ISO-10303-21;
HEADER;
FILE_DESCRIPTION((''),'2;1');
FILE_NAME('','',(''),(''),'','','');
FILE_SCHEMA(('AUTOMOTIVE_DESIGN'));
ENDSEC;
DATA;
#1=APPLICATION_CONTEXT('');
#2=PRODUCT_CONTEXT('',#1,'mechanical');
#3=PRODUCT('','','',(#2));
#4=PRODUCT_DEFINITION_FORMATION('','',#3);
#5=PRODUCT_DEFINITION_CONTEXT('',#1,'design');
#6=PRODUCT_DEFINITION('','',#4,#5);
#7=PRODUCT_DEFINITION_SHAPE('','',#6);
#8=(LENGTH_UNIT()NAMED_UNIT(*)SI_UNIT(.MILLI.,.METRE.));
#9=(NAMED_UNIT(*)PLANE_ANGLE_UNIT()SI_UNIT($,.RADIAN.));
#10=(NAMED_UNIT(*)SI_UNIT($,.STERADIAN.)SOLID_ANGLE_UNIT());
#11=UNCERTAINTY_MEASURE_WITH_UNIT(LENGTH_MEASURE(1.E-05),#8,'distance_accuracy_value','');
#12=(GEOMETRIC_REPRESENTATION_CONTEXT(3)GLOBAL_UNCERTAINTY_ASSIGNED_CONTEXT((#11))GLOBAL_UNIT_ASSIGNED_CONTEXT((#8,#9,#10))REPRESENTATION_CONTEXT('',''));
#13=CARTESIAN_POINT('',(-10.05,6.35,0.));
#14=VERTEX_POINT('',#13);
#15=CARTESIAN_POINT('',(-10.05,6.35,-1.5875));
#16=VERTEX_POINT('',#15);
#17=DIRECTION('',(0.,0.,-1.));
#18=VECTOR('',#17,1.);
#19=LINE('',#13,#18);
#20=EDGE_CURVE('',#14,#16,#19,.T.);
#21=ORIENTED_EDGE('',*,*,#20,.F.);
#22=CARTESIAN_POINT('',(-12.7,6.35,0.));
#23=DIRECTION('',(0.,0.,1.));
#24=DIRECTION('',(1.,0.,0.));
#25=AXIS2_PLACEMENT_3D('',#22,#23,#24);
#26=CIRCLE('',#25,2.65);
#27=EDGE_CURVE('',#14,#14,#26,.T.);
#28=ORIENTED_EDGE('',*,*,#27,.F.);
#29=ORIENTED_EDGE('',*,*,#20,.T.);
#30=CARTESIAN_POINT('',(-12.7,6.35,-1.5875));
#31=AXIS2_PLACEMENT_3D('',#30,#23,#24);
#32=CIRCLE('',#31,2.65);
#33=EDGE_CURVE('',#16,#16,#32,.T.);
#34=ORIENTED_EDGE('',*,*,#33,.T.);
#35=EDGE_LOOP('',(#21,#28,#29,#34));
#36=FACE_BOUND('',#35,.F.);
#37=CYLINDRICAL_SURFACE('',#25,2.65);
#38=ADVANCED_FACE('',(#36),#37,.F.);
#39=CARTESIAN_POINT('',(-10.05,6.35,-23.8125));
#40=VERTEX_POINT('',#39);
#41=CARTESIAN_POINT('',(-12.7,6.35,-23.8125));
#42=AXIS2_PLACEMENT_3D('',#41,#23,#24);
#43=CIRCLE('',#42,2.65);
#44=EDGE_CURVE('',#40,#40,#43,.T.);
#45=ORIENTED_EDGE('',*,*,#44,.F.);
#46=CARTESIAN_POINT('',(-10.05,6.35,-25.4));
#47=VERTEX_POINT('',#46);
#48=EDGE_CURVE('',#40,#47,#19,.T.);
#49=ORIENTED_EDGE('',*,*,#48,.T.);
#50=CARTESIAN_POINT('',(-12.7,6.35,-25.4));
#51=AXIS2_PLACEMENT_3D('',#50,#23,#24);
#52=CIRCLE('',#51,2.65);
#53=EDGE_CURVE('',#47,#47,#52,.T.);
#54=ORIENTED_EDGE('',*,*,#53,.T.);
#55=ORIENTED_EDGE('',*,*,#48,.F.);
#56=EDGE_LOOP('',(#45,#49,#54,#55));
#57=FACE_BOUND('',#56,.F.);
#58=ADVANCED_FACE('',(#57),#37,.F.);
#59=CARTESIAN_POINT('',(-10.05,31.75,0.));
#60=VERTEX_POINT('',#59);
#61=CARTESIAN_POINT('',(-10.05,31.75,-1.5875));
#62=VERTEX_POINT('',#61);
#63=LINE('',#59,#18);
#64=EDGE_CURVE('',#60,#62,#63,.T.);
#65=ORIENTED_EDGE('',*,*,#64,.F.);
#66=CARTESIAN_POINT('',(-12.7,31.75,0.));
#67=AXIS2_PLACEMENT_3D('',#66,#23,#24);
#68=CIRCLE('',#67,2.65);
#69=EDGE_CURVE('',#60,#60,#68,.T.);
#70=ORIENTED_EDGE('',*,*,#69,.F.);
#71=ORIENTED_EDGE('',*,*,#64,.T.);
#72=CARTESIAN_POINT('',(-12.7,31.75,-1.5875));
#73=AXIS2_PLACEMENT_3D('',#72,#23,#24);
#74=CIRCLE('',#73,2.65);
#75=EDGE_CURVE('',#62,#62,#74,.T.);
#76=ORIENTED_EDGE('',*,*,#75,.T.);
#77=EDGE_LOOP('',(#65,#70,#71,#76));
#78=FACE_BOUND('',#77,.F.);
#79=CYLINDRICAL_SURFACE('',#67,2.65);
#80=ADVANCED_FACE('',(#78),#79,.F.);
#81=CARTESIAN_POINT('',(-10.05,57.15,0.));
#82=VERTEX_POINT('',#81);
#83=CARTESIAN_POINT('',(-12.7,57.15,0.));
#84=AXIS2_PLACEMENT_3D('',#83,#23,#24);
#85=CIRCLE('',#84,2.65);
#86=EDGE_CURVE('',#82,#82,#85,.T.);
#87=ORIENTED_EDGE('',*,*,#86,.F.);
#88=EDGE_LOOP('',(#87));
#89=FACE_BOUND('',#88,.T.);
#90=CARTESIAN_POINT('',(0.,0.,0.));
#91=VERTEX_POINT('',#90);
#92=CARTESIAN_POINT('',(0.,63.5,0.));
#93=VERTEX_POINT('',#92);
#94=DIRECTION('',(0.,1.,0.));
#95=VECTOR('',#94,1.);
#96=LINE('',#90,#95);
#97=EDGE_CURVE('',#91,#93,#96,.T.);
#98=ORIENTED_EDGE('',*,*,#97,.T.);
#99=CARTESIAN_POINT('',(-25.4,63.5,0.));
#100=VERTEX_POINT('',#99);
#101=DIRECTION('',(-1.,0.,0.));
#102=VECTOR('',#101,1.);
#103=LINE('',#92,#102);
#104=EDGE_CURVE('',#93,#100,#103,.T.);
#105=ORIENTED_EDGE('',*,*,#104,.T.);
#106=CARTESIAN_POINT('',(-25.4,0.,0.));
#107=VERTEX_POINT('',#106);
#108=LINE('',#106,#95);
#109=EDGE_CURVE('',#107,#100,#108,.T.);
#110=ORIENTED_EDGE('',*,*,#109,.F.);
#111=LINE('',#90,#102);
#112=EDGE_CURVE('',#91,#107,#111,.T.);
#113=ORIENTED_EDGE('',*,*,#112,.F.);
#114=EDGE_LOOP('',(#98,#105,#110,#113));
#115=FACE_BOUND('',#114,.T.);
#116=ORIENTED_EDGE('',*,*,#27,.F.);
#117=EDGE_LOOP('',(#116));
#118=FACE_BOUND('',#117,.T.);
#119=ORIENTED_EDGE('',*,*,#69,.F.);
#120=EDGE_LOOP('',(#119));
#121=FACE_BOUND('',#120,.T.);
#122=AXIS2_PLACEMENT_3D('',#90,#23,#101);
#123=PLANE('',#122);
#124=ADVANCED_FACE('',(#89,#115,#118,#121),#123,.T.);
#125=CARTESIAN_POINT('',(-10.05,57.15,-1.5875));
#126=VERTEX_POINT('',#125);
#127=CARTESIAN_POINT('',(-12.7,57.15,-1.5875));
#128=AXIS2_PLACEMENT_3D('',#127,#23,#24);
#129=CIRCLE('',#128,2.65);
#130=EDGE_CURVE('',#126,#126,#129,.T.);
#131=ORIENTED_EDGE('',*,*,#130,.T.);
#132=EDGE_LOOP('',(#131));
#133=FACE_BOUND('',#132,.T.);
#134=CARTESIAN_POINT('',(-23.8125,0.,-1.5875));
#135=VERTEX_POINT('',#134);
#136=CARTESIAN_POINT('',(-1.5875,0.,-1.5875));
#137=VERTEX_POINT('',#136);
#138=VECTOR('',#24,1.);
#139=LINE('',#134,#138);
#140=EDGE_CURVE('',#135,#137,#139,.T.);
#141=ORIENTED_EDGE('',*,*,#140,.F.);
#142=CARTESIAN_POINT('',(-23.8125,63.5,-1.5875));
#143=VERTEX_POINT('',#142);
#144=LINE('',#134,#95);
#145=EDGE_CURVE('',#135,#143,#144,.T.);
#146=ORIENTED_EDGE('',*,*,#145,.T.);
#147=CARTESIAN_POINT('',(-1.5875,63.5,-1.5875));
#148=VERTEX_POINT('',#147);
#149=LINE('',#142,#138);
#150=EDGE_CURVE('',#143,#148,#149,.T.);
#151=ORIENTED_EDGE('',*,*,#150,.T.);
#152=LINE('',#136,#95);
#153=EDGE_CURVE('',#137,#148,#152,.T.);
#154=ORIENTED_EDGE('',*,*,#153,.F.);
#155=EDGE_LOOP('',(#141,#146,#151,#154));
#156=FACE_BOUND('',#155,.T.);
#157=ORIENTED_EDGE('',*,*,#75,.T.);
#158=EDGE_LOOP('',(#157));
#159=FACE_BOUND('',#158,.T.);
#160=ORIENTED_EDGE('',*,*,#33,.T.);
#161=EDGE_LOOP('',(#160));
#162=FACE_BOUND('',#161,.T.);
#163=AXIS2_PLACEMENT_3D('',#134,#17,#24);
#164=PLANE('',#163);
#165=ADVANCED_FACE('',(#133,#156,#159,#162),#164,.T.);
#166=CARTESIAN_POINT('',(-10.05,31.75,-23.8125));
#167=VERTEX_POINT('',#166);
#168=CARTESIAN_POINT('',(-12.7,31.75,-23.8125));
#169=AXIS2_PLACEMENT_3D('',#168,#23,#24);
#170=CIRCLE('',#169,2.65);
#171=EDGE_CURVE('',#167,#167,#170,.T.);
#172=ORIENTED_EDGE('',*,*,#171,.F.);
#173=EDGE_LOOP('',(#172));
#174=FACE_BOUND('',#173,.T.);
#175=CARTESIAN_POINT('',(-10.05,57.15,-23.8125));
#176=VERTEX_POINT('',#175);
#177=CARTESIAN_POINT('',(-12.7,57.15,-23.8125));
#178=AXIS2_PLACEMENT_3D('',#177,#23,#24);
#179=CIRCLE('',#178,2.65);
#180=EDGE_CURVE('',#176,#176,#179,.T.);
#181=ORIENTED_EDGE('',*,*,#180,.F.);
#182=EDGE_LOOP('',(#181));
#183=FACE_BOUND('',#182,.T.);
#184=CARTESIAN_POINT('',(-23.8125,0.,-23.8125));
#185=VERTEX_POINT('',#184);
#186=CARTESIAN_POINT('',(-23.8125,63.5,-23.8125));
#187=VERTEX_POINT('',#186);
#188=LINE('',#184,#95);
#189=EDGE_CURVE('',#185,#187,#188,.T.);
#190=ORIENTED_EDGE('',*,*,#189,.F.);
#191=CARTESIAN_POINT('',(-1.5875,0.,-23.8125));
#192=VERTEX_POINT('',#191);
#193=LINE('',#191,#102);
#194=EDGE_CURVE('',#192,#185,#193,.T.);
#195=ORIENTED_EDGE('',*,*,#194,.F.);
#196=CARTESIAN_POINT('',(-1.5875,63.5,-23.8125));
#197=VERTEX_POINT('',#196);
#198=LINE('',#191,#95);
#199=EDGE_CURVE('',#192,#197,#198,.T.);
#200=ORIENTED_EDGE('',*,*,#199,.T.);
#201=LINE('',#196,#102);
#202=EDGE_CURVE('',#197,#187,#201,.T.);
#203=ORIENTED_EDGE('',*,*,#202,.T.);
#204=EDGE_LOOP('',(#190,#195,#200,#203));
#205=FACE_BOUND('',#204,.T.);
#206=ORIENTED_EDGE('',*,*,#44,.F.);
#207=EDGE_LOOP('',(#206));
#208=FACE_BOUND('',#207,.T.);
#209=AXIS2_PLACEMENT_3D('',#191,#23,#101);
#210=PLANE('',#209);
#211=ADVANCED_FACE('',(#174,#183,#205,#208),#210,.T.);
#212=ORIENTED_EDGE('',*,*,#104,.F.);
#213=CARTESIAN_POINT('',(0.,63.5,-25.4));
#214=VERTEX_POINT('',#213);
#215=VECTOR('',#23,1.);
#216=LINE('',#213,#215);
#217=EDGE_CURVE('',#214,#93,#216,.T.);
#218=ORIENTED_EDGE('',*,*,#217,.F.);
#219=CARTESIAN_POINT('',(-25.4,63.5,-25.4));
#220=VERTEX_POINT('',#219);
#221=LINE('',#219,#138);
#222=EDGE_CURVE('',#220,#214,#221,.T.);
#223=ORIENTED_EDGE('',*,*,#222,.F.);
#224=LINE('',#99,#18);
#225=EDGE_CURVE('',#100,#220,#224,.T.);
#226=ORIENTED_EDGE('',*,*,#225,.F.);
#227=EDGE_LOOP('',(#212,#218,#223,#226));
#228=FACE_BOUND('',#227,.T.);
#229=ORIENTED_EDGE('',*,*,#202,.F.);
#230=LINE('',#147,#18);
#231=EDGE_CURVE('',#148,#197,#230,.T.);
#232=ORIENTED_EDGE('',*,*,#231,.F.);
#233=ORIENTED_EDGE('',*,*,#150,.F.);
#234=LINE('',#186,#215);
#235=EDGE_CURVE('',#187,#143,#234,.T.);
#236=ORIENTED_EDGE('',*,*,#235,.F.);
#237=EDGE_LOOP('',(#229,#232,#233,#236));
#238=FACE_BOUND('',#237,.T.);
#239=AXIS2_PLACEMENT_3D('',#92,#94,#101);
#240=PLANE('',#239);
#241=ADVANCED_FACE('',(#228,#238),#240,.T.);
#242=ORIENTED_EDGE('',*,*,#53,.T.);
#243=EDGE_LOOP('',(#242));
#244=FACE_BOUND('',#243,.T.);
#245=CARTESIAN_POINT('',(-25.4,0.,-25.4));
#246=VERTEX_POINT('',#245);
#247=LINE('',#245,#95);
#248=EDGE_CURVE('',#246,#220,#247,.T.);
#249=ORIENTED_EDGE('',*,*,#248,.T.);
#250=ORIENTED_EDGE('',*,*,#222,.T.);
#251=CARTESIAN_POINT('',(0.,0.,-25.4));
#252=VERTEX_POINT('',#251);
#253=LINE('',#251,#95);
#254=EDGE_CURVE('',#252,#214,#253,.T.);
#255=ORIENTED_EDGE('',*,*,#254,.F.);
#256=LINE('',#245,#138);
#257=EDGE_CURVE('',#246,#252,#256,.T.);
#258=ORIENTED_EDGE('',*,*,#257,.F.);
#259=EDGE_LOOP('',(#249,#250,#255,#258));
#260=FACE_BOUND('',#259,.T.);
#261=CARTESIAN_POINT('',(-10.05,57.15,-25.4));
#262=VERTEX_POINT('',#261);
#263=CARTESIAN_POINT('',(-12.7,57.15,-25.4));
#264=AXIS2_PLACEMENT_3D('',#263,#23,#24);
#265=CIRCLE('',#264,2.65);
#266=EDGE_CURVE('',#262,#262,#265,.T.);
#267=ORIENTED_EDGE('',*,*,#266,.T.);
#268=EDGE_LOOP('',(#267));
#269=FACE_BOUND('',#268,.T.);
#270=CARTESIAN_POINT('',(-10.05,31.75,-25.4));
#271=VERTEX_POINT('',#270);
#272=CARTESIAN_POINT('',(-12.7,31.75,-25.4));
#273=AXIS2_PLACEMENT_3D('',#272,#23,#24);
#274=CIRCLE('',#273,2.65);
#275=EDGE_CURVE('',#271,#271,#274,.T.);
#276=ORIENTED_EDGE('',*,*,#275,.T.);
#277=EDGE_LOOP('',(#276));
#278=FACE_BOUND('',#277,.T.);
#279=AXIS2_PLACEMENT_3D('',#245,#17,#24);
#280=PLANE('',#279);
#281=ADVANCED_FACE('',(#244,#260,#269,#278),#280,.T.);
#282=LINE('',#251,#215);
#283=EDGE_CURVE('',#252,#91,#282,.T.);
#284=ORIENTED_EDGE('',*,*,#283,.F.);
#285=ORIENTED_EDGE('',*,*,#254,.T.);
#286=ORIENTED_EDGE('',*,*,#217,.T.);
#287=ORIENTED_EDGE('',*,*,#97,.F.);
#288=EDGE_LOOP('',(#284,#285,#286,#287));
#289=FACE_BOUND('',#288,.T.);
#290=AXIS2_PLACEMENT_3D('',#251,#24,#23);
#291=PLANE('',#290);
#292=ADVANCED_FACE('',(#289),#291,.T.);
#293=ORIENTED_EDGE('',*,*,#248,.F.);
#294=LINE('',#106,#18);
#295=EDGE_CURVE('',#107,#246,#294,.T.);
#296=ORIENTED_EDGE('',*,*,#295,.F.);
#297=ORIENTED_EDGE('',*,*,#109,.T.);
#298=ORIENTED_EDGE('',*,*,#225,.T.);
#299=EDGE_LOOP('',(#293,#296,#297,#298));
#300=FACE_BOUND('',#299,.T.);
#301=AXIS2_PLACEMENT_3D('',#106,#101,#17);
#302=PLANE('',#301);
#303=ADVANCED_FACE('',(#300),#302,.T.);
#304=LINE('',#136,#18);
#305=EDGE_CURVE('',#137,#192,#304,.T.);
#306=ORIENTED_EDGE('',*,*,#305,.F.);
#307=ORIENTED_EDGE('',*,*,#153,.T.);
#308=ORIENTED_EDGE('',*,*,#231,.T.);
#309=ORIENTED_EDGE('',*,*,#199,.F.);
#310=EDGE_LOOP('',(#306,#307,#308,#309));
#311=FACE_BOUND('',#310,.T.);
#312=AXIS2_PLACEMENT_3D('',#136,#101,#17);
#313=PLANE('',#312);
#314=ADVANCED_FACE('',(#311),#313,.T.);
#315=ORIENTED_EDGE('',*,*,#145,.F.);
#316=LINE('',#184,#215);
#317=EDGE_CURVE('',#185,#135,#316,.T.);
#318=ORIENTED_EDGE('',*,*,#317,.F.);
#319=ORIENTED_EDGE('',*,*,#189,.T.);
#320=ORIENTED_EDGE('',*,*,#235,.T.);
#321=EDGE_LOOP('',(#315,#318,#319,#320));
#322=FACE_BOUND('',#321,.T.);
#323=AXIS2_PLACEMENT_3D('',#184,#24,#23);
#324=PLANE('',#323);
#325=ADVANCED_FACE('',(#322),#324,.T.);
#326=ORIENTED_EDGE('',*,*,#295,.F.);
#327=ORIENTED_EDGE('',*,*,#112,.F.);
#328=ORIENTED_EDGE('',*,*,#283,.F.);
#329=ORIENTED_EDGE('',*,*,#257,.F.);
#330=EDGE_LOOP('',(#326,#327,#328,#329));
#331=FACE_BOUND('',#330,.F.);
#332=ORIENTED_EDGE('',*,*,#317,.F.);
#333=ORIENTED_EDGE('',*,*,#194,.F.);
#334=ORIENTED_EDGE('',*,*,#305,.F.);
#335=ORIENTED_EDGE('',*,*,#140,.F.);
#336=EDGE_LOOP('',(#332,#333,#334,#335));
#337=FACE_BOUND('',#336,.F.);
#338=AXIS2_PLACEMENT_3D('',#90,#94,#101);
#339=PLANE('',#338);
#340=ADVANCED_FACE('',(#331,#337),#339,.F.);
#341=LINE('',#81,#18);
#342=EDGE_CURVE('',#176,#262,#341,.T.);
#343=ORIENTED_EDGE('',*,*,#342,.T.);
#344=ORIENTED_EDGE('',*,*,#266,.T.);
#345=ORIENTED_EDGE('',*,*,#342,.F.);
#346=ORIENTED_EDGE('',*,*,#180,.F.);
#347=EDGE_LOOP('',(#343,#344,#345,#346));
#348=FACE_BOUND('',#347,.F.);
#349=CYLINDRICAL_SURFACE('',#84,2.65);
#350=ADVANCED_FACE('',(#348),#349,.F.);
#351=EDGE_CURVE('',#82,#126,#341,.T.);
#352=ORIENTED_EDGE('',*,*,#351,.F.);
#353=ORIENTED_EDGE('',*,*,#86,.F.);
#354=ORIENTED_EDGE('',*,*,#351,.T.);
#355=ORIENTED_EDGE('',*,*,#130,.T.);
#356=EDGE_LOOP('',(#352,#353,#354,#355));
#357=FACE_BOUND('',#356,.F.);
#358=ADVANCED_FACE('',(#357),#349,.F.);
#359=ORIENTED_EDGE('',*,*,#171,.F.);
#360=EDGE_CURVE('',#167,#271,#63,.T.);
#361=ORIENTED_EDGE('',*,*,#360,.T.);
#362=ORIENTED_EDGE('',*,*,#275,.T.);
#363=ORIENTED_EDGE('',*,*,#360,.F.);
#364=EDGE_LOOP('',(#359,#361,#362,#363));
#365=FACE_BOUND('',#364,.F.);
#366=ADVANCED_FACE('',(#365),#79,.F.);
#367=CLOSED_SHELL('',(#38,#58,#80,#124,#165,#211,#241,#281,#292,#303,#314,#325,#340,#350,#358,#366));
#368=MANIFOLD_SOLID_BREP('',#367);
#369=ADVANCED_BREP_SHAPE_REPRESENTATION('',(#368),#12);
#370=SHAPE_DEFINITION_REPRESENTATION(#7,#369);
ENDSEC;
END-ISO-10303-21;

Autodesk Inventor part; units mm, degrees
ref_plane "YZ Plane" through (0, 0, 0) normal (1, 0, 0) x (0, 1, 0)
ref_plane "XZ Plane" through (0, 0, 0) normal (0, 1, 0) x (-1, 0, 0)
ref_plane "XY Plane" through (0, 0, 0) normal (0, 0, 1) x (1, 0, 0)
sketch "Sketch1" plane through (0, 0, 0) normal (0, 1, 0) x (-1, 0, 0)
  line L0 (0, 0) -> (25.4, 0)
  line L1 (25.4, 0) -> (25.4, -25.4)
  line L2 (25.4, -25.4) -> (0, -25.4)
  line L3 (0, -25.4) -> (0, 0)
  line L4 (23.8125, -1.5875) -> (1.5875, -1.5875)
  line L5 (1.5875, -1.5875) -> (1.5875, -23.8125)
  line L6 (1.5875, -23.8125) -> (23.8125, -23.8125)
  line L7 (23.8125, -23.8125) -> (23.8125, -1.5875)
  dimension "d0" = 25.4
  dimension "d1" = 25.4
  dimension "d2" = 1.5875
  dimension "d3" = 1.5875
  dimension "d4" = 1.5875
  dimension "d5" = 1.5875
extrude "Extrusion1" add sketch "Sketch1" along normal blind 63.5
sketch "Sketch2" plane through (-25.4, 0, 0) normal (0, 0, 1) x (1, 0, 0)
  line L0 (1.5875, 63.5) -> (23.8125, 63.5) construction
  line L1 (12.7, 63.5) -> (12.7, 0) construction
  line L2 (23.8125, 0) -> (1.5875, 0) construction
  line L3 (0, 0) -> (0, 63.5) construction
  line L4 (0, 31.75) -> (25.4, 31.75) construction
  circle A0 centre (12.7, 31.75) radius 2.65
  circle A1 centre (12.7, 57.15) radius 2.65
  circle A2 centre (12.7, 6.35) radius 2.65
  point P0 (25.4, 0)
  point P1 (12.7, 31.75)
  dimension "d8" = 5.3
  dimension "d9" = 25.4
  dimension "d10" = 25.4
extrude "Extrusion2" cut sketch "Sketch2" against normal through all
properties part number "2.5inTube"
